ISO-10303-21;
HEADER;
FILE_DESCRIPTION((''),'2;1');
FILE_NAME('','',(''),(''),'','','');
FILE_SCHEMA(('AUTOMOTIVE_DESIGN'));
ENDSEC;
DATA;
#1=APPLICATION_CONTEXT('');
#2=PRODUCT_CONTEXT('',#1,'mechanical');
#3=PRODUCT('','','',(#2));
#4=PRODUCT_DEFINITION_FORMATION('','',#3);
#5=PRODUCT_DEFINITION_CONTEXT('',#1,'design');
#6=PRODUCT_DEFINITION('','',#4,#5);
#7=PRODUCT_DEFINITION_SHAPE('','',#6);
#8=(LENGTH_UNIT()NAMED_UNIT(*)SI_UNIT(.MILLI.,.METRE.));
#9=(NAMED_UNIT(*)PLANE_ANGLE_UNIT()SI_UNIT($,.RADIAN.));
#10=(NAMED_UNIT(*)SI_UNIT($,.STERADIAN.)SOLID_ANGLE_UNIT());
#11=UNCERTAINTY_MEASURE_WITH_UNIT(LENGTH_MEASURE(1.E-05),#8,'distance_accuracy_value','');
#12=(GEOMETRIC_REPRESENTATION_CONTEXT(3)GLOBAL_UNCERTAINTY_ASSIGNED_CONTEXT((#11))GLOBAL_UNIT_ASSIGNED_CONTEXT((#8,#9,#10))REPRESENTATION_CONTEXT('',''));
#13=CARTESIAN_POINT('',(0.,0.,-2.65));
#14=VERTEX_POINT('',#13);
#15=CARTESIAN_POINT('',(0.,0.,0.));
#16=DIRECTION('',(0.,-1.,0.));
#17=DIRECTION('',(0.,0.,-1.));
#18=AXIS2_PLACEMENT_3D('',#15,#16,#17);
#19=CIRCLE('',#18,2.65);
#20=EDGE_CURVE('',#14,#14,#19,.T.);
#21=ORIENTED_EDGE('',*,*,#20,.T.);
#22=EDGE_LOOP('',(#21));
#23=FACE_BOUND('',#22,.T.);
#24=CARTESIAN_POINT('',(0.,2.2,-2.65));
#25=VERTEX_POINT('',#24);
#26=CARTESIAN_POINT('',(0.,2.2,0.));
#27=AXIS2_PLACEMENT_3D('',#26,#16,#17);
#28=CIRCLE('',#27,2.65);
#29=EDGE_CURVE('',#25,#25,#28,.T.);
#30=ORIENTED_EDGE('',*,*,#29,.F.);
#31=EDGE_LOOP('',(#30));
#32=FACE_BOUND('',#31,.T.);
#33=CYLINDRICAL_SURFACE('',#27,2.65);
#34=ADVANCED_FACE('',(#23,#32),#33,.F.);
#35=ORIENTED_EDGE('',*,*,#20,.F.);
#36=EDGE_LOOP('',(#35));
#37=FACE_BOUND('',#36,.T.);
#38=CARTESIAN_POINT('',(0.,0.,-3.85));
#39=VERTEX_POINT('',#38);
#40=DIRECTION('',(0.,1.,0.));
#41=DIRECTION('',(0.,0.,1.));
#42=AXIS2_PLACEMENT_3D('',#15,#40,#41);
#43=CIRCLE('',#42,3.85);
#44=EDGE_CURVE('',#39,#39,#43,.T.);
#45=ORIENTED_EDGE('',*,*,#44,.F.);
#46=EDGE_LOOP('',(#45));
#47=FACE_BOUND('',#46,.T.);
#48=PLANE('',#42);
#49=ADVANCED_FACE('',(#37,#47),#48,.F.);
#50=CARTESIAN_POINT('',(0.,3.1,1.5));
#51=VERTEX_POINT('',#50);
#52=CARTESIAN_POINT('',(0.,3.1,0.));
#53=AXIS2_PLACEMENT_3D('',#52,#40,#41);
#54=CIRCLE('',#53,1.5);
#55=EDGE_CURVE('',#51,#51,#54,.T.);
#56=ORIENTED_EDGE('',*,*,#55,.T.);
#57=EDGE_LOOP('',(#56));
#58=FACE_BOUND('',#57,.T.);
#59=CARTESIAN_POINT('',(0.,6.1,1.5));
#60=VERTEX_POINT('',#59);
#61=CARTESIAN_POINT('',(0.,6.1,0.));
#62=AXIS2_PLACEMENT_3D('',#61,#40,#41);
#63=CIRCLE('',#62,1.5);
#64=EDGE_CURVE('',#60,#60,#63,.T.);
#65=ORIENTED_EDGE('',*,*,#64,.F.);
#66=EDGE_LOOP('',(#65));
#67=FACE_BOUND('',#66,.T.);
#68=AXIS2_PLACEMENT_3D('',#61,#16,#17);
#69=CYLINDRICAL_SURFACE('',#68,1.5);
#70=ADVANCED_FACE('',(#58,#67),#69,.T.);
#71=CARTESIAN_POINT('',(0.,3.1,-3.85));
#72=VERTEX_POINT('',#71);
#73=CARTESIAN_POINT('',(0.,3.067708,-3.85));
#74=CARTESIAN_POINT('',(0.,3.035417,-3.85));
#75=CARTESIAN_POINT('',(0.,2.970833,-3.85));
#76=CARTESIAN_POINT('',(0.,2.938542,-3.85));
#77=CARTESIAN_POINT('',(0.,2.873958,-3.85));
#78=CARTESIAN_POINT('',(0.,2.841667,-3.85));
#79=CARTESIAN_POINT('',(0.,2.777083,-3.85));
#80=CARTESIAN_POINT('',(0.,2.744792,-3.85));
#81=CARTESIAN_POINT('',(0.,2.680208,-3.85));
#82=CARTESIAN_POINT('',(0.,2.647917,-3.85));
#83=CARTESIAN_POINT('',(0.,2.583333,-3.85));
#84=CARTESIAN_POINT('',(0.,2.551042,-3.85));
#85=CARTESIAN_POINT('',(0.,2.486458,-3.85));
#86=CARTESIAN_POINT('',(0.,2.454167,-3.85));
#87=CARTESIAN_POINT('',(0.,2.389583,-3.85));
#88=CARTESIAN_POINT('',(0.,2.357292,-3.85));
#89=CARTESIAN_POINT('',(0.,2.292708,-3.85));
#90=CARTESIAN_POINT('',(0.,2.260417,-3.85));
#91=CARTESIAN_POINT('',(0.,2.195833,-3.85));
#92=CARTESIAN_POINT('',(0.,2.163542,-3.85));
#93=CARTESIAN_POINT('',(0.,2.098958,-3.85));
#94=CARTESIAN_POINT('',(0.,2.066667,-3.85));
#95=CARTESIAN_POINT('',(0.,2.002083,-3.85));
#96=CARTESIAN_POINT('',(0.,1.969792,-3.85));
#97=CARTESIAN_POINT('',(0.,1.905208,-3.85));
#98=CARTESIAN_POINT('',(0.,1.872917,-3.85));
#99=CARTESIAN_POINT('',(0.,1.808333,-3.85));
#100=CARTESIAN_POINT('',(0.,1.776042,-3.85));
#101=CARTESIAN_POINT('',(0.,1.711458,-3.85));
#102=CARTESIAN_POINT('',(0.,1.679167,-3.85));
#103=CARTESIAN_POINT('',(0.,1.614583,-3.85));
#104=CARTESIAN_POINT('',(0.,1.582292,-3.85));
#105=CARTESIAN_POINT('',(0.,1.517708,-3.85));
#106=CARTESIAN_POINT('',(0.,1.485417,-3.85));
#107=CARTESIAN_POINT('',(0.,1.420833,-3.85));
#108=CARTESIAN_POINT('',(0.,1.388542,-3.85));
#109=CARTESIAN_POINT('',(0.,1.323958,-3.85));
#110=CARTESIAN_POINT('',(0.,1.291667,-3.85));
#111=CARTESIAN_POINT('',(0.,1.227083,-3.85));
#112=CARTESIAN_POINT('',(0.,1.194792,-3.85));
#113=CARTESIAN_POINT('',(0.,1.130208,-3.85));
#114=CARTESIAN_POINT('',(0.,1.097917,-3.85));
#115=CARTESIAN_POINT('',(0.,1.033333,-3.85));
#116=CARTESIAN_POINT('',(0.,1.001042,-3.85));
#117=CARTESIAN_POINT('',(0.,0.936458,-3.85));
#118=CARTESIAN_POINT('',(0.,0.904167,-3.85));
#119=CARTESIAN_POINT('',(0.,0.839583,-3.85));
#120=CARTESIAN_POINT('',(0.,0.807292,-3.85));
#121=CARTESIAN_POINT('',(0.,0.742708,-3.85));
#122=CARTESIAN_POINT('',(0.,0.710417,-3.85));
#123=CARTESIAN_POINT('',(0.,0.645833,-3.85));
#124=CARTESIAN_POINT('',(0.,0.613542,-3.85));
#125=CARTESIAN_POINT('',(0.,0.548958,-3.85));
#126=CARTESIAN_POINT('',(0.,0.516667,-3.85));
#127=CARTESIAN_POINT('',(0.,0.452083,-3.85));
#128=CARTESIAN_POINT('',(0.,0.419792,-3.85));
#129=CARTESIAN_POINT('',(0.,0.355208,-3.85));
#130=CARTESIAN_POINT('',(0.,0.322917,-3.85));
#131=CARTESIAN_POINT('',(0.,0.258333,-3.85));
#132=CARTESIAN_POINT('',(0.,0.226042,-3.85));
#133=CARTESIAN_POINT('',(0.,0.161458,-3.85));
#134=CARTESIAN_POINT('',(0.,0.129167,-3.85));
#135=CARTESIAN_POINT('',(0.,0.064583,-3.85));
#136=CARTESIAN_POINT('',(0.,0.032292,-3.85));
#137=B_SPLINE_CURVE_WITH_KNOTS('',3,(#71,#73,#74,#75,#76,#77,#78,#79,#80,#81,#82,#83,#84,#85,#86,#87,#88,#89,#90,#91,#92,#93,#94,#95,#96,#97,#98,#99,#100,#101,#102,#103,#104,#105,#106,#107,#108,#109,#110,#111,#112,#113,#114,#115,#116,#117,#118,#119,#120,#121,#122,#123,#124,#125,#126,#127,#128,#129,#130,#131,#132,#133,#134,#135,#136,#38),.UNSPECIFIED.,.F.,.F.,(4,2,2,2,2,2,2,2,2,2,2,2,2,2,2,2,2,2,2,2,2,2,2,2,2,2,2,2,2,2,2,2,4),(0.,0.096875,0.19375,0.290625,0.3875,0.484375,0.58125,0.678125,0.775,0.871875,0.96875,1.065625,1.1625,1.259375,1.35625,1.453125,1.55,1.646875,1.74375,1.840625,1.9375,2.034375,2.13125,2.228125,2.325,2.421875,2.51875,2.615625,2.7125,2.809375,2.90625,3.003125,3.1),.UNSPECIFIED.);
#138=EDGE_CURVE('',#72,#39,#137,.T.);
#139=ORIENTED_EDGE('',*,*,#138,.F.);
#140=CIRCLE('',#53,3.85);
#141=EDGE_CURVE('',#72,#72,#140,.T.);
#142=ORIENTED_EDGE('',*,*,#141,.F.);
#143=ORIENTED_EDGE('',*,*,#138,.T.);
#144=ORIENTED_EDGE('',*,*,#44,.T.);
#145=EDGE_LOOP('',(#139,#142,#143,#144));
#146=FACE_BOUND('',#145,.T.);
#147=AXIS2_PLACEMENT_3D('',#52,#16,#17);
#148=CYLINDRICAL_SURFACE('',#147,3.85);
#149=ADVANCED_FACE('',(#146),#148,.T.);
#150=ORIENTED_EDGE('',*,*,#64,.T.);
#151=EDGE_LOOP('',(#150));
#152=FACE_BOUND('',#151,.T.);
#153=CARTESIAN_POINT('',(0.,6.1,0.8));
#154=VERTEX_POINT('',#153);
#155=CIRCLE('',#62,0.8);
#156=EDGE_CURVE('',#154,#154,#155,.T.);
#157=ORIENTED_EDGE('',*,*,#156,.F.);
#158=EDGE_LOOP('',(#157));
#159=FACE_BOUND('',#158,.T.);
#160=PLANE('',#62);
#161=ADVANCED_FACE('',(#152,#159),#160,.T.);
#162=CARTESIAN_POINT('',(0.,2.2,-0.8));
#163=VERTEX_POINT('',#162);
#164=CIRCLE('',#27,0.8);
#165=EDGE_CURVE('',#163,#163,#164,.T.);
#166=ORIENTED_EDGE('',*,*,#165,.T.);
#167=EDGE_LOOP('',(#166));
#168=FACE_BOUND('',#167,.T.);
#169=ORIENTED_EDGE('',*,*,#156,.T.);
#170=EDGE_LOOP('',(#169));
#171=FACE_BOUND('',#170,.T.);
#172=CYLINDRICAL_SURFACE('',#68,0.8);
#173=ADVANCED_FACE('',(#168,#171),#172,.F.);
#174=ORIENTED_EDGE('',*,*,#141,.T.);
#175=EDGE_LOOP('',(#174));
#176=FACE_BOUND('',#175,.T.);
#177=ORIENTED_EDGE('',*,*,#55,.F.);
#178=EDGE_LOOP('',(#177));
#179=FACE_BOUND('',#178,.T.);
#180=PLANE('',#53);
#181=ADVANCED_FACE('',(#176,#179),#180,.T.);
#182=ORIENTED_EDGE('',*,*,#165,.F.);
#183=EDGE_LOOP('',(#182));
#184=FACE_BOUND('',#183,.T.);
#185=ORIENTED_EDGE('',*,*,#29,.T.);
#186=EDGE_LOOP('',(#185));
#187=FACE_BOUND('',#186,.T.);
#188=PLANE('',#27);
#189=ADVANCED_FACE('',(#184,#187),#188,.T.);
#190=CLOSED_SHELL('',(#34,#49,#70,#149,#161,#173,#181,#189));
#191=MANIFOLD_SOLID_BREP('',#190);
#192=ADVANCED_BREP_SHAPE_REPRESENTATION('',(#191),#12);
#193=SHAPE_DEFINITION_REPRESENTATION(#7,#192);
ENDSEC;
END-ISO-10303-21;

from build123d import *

# Parameters (mm, degrees)
SKETCH1_R               = 3.85
BOSS_EXTRUDE1_DEPTH     = 3.1
SKETCH2_R               = 1.5
SKETCH2_R_2             = 0.8
BOSS_EXTRUDE2_DEPTH     = 3
CUT_EXTRUDE1_DEPTH      = 7.265381074
CUT_EXTRUDE1_DEPTH_BACK = 7.265381074
SKETCH3_R               = 0.8
SKETCH4_R               = 2.65
CUT_EXTRUDE2_DEPTH      = 2.2


with BuildPart() as part:
    # Sketch1 → Boss-Extrude1 (new body)
    with BuildSketch(Plane(origin=(0, 0, 0), x_dir=(1, 0, 0), z_dir=(0, 1, 0))):
        with Locations(Location((0, 0, 0), (0, 0, 90))):
            Circle(SKETCH1_R)
    extrude(amount=BOSS_EXTRUDE1_DEPTH)

    # Sketch2 → Boss-Extrude2 (add)
    with BuildSketch(Plane(origin=(0, 3.1, 0), x_dir=(1, 0, 0), z_dir=(0, 1, 0))):
        with Locations(Location((0, 0, 0), (0, 0, 270))):
            Circle(SKETCH2_R)
        with Locations(Location((0, 0, 0), (0, 0, 270))):
            Circle(SKETCH2_R_2, mode=Mode.SUBTRACT)
    extrude(amount=BOSS_EXTRUDE2_DEPTH)

    # Sketch3 → Cut-Extrude1 (cut, two sides: drawn at the far end of the back side and taken through both)
    with BuildSketch(Plane(origin=(0, 3.1, 0), x_dir=(1, 0, 0), z_dir=(0, 1, 0)).offset(-CUT_EXTRUDE1_DEPTH_BACK)):
        with Locations(Location((0, 0, 0), (0, 0, 270))):
            Circle(SKETCH3_R)
    extrude(amount=CUT_EXTRUDE1_DEPTH + CUT_EXTRUDE1_DEPTH_BACK, mode=Mode.SUBTRACT)

    # Sketch4 → Cut-Extrude2 (cut)
    with BuildSketch(Plane.XZ):
        with Locations(Location((0, 0, 0), (0, 0, 270))):
            Circle(SKETCH4_R)
    extrude(amount=-CUT_EXTRUDE2_DEPTH, mode=Mode.SUBTRACT)


solid = part.part
